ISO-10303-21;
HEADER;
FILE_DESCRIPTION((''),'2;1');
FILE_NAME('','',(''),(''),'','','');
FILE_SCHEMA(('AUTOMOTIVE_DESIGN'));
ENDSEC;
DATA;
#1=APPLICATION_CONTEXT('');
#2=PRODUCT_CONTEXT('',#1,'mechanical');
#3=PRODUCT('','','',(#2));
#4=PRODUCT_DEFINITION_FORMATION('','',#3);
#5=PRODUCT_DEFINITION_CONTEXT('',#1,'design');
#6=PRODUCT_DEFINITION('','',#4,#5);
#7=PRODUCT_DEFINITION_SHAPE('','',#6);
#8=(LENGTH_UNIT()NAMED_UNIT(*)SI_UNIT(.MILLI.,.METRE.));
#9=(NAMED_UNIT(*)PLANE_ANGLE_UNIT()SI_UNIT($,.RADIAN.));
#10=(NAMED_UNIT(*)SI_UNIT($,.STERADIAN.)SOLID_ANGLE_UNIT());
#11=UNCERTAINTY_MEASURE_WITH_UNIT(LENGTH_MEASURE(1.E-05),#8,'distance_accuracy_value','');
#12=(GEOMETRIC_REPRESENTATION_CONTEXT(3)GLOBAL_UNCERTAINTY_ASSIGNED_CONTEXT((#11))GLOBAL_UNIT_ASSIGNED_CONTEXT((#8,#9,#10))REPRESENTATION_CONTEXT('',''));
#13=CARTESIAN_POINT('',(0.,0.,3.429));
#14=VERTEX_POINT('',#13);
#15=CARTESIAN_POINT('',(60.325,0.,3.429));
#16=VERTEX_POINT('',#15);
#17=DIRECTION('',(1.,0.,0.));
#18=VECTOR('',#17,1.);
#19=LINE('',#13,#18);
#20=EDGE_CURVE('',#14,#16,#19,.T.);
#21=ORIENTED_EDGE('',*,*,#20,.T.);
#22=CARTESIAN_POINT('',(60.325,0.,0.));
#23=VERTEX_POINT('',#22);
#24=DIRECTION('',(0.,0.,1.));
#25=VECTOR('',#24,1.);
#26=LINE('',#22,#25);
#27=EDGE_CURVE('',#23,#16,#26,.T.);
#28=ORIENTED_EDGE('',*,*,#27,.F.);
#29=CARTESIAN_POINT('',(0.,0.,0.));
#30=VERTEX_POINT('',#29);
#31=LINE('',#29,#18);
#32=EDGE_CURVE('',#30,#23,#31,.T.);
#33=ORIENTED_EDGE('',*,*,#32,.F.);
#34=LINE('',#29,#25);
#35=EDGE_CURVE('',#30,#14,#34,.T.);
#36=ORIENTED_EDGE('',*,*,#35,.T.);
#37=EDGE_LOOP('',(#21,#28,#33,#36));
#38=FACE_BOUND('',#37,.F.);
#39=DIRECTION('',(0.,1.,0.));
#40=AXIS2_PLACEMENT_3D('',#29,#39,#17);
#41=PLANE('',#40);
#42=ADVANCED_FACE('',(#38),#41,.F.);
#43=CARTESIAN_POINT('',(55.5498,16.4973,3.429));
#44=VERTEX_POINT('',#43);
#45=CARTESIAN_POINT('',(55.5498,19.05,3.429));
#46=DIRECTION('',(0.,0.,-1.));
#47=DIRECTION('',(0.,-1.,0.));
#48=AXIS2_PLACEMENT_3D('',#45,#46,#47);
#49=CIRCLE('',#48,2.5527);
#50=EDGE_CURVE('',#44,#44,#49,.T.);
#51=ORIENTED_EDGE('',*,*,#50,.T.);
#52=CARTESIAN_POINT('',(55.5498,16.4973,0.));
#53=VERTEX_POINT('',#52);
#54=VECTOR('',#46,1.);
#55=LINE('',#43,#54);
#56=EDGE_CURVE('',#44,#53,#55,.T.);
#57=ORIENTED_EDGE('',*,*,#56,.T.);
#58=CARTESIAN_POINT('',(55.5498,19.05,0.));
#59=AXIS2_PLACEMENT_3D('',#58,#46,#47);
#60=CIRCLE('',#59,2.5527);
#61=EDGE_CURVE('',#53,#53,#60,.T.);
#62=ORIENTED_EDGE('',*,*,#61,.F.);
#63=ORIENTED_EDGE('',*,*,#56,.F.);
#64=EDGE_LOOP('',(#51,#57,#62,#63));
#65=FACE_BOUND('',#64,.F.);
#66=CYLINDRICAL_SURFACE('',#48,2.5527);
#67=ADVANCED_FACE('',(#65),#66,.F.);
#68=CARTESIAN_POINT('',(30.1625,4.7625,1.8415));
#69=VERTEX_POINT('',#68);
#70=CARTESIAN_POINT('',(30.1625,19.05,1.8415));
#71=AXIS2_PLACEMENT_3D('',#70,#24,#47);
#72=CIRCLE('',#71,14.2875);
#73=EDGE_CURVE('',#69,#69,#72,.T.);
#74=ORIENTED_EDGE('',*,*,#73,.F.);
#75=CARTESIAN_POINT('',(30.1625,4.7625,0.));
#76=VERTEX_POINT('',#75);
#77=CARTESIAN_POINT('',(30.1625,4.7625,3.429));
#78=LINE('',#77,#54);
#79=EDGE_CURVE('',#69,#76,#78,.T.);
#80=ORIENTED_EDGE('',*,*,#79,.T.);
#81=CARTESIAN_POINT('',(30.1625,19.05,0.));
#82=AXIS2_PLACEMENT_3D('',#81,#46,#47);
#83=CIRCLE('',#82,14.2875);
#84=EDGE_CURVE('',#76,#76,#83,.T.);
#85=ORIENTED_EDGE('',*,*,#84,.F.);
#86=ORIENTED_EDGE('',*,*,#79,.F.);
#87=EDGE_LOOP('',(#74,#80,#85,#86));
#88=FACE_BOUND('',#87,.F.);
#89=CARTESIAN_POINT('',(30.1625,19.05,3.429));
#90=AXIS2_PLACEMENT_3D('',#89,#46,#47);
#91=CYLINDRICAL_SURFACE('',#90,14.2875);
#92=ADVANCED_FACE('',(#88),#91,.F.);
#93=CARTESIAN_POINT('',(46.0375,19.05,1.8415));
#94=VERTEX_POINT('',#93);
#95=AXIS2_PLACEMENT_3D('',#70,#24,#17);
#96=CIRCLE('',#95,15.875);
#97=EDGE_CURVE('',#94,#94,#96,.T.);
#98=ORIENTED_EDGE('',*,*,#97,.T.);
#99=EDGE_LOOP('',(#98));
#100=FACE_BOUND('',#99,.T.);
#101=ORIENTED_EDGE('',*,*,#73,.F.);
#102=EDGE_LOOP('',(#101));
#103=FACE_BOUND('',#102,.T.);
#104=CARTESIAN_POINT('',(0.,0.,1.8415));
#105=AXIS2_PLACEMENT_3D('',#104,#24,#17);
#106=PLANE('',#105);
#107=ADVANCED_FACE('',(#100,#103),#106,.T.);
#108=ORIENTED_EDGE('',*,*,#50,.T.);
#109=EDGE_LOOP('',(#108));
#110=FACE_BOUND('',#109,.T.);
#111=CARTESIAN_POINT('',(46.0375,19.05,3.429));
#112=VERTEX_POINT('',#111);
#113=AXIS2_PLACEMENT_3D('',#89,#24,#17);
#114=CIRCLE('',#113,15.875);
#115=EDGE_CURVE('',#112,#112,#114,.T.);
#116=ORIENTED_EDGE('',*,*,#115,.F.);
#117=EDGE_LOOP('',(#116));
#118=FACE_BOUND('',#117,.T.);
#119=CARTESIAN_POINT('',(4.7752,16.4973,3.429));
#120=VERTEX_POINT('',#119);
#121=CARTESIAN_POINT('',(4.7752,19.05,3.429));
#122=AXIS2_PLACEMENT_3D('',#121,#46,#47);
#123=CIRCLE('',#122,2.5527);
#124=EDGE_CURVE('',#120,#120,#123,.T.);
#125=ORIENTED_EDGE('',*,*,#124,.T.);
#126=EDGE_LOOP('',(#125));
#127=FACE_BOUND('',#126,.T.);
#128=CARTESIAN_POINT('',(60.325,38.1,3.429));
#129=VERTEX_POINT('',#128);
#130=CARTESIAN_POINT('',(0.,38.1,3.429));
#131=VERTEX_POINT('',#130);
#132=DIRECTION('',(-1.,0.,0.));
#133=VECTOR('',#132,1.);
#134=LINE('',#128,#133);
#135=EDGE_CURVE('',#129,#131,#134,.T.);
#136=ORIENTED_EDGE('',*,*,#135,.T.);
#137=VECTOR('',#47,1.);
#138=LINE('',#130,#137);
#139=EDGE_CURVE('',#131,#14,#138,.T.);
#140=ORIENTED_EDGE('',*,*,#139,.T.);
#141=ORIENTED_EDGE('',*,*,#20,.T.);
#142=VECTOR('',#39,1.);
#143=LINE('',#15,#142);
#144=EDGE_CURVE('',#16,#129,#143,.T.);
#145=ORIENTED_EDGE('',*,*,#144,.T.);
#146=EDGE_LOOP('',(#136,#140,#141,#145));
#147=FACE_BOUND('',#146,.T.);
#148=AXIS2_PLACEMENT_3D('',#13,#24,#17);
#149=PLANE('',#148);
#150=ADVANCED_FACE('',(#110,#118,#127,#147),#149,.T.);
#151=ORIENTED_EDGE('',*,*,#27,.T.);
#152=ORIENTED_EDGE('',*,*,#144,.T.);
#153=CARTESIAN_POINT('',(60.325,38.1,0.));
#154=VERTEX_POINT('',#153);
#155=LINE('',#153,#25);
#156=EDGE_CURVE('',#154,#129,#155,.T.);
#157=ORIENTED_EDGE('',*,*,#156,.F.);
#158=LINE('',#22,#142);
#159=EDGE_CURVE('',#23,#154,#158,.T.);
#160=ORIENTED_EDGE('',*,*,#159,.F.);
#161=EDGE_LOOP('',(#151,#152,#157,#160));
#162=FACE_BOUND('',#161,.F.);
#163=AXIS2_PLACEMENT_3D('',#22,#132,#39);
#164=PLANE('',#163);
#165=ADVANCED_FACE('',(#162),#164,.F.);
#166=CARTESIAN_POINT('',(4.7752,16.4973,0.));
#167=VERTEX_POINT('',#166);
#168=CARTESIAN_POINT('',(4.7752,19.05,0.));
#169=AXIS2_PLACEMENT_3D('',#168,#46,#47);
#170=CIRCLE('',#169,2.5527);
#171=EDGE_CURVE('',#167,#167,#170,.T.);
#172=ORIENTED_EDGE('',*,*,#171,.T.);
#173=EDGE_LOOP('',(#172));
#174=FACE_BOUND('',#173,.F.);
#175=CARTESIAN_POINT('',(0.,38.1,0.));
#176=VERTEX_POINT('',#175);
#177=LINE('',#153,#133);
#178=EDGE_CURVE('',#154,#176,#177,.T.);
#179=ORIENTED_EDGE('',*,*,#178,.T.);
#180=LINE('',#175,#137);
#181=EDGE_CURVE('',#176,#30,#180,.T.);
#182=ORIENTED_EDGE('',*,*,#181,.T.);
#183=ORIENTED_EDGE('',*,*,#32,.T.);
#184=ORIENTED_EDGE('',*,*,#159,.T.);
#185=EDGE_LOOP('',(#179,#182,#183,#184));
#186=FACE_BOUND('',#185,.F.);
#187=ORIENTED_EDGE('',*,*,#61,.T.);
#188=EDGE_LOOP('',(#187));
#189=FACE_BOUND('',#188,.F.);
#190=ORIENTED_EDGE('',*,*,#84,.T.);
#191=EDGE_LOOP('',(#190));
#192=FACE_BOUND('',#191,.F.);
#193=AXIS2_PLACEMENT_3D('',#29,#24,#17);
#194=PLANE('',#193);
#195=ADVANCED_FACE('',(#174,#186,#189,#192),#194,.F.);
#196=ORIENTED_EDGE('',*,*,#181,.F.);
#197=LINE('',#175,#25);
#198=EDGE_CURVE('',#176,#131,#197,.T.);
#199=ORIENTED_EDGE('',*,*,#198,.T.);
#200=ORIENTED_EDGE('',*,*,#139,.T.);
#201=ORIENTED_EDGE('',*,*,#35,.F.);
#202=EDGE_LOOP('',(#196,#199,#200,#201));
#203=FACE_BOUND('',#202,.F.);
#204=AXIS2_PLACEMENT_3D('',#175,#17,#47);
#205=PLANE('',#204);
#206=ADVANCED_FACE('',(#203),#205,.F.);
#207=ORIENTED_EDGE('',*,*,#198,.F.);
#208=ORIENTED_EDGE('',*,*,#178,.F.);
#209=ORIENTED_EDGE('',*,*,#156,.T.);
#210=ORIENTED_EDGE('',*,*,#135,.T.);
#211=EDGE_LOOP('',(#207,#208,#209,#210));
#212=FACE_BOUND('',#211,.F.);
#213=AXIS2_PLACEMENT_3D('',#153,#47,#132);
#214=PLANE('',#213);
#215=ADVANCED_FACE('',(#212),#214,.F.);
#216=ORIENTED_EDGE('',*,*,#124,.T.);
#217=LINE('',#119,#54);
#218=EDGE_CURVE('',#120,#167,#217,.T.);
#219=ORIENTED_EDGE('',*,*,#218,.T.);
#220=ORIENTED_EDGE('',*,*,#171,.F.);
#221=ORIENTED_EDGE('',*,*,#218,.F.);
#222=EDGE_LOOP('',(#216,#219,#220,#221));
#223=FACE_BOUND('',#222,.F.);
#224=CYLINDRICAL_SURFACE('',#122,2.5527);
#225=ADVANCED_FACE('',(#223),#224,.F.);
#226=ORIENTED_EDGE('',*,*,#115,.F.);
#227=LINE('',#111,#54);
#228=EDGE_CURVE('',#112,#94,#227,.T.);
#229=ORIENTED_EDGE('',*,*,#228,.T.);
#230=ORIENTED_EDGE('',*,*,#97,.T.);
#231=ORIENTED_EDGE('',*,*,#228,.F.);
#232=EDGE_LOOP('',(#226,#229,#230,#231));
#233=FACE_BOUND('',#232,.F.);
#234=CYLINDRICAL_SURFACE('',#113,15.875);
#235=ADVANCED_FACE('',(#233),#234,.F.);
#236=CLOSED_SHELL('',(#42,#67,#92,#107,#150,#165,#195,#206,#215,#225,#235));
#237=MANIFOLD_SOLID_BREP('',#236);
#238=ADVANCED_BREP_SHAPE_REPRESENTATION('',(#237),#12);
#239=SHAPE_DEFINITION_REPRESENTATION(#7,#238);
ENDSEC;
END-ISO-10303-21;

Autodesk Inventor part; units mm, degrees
ref_plane "YZ Plane" through (0, 0, 0) normal (1, 0, 0) x (0, 1, 0)
ref_plane "XZ Plane" through (0, 0, 0) normal (0, 1, 0) x (-1, 0, 0)
ref_plane "XY Plane" through (0, 0, 0) normal (0, 0, 1) x (1, 0, 0)
sketch "Sketch1" plane through (0, 0, 0) normal (0, 0, 1) x (1, 0, 0)
  line L0 (0, 0) -> (60.325, 0)
  line L1 (60.325, 0) -> (60.325, 38.1)
  line L2 (60.325, 38.1) -> (0, 38.1)
  line L3 (0, 38.1) -> (0, 0)
  dimension "d0" = 60.325
  dimension "d1" = 38.1
extrude "Extrusion1" add sketch "Sketch1" along normal blind 3.429
sketch "Sketch4" plane through (0, 0, 3.429) normal (0, 0, 1) x (1, 0, 0)
  line L0 (60.325, 38.1) -> (0, 38.1) projected
  line L1 (0, 38.1) -> (0, 0) projected
  point P0 (30.1625, 19.05)
  point P1 (30.1625, 38.1)
  point P2 (0, 19.05)
hole "Hole1" at (30.1625, 19.05, 3.429) direction (0, 0, -1) diameter 28.575 end through all
sketch "Sketch5" plane through (0, 0, 3.429) normal (0, 0, 1) x (1, 0, 0)
  line L0 (0, 38.1) -> (0, 0) projected
  point P0 (60.325, 0)
  point P1 (60.325, 38.1)
  point P2 (4.7752, 19.05)
  point P3 (55.5498, 19.05)
  point P4 (0, 19.05)
  point P5 (0, 19.05)
  dimension "d19" = 4.7752
  dimension "d20" = 4.7752
  dimension "d21" = 19.05
  dimension "d22" = 19.05
hole "Hole2" at (4.7752, 19.05, 3.429) at (55.5498, 19.05, 3.429) direction (0, 0, -1) diameter 5.1054 end through all
sketch "Sketch6" plane through (0, 0, 3.429) normal (0, 0, 1) x (1, 0, 0)
  circle A0 centre (30.1625, 19.05) radius 14.2875 projected
  circle A1 centre (30.1625, 19.05) radius 15.875
  dimension "d30" = 31.75
extrude "Extrusion2" cut sketch "Sketch6" against normal blind 1.5875
properties part number "Bearing Reciver for 1-2 bearing"
